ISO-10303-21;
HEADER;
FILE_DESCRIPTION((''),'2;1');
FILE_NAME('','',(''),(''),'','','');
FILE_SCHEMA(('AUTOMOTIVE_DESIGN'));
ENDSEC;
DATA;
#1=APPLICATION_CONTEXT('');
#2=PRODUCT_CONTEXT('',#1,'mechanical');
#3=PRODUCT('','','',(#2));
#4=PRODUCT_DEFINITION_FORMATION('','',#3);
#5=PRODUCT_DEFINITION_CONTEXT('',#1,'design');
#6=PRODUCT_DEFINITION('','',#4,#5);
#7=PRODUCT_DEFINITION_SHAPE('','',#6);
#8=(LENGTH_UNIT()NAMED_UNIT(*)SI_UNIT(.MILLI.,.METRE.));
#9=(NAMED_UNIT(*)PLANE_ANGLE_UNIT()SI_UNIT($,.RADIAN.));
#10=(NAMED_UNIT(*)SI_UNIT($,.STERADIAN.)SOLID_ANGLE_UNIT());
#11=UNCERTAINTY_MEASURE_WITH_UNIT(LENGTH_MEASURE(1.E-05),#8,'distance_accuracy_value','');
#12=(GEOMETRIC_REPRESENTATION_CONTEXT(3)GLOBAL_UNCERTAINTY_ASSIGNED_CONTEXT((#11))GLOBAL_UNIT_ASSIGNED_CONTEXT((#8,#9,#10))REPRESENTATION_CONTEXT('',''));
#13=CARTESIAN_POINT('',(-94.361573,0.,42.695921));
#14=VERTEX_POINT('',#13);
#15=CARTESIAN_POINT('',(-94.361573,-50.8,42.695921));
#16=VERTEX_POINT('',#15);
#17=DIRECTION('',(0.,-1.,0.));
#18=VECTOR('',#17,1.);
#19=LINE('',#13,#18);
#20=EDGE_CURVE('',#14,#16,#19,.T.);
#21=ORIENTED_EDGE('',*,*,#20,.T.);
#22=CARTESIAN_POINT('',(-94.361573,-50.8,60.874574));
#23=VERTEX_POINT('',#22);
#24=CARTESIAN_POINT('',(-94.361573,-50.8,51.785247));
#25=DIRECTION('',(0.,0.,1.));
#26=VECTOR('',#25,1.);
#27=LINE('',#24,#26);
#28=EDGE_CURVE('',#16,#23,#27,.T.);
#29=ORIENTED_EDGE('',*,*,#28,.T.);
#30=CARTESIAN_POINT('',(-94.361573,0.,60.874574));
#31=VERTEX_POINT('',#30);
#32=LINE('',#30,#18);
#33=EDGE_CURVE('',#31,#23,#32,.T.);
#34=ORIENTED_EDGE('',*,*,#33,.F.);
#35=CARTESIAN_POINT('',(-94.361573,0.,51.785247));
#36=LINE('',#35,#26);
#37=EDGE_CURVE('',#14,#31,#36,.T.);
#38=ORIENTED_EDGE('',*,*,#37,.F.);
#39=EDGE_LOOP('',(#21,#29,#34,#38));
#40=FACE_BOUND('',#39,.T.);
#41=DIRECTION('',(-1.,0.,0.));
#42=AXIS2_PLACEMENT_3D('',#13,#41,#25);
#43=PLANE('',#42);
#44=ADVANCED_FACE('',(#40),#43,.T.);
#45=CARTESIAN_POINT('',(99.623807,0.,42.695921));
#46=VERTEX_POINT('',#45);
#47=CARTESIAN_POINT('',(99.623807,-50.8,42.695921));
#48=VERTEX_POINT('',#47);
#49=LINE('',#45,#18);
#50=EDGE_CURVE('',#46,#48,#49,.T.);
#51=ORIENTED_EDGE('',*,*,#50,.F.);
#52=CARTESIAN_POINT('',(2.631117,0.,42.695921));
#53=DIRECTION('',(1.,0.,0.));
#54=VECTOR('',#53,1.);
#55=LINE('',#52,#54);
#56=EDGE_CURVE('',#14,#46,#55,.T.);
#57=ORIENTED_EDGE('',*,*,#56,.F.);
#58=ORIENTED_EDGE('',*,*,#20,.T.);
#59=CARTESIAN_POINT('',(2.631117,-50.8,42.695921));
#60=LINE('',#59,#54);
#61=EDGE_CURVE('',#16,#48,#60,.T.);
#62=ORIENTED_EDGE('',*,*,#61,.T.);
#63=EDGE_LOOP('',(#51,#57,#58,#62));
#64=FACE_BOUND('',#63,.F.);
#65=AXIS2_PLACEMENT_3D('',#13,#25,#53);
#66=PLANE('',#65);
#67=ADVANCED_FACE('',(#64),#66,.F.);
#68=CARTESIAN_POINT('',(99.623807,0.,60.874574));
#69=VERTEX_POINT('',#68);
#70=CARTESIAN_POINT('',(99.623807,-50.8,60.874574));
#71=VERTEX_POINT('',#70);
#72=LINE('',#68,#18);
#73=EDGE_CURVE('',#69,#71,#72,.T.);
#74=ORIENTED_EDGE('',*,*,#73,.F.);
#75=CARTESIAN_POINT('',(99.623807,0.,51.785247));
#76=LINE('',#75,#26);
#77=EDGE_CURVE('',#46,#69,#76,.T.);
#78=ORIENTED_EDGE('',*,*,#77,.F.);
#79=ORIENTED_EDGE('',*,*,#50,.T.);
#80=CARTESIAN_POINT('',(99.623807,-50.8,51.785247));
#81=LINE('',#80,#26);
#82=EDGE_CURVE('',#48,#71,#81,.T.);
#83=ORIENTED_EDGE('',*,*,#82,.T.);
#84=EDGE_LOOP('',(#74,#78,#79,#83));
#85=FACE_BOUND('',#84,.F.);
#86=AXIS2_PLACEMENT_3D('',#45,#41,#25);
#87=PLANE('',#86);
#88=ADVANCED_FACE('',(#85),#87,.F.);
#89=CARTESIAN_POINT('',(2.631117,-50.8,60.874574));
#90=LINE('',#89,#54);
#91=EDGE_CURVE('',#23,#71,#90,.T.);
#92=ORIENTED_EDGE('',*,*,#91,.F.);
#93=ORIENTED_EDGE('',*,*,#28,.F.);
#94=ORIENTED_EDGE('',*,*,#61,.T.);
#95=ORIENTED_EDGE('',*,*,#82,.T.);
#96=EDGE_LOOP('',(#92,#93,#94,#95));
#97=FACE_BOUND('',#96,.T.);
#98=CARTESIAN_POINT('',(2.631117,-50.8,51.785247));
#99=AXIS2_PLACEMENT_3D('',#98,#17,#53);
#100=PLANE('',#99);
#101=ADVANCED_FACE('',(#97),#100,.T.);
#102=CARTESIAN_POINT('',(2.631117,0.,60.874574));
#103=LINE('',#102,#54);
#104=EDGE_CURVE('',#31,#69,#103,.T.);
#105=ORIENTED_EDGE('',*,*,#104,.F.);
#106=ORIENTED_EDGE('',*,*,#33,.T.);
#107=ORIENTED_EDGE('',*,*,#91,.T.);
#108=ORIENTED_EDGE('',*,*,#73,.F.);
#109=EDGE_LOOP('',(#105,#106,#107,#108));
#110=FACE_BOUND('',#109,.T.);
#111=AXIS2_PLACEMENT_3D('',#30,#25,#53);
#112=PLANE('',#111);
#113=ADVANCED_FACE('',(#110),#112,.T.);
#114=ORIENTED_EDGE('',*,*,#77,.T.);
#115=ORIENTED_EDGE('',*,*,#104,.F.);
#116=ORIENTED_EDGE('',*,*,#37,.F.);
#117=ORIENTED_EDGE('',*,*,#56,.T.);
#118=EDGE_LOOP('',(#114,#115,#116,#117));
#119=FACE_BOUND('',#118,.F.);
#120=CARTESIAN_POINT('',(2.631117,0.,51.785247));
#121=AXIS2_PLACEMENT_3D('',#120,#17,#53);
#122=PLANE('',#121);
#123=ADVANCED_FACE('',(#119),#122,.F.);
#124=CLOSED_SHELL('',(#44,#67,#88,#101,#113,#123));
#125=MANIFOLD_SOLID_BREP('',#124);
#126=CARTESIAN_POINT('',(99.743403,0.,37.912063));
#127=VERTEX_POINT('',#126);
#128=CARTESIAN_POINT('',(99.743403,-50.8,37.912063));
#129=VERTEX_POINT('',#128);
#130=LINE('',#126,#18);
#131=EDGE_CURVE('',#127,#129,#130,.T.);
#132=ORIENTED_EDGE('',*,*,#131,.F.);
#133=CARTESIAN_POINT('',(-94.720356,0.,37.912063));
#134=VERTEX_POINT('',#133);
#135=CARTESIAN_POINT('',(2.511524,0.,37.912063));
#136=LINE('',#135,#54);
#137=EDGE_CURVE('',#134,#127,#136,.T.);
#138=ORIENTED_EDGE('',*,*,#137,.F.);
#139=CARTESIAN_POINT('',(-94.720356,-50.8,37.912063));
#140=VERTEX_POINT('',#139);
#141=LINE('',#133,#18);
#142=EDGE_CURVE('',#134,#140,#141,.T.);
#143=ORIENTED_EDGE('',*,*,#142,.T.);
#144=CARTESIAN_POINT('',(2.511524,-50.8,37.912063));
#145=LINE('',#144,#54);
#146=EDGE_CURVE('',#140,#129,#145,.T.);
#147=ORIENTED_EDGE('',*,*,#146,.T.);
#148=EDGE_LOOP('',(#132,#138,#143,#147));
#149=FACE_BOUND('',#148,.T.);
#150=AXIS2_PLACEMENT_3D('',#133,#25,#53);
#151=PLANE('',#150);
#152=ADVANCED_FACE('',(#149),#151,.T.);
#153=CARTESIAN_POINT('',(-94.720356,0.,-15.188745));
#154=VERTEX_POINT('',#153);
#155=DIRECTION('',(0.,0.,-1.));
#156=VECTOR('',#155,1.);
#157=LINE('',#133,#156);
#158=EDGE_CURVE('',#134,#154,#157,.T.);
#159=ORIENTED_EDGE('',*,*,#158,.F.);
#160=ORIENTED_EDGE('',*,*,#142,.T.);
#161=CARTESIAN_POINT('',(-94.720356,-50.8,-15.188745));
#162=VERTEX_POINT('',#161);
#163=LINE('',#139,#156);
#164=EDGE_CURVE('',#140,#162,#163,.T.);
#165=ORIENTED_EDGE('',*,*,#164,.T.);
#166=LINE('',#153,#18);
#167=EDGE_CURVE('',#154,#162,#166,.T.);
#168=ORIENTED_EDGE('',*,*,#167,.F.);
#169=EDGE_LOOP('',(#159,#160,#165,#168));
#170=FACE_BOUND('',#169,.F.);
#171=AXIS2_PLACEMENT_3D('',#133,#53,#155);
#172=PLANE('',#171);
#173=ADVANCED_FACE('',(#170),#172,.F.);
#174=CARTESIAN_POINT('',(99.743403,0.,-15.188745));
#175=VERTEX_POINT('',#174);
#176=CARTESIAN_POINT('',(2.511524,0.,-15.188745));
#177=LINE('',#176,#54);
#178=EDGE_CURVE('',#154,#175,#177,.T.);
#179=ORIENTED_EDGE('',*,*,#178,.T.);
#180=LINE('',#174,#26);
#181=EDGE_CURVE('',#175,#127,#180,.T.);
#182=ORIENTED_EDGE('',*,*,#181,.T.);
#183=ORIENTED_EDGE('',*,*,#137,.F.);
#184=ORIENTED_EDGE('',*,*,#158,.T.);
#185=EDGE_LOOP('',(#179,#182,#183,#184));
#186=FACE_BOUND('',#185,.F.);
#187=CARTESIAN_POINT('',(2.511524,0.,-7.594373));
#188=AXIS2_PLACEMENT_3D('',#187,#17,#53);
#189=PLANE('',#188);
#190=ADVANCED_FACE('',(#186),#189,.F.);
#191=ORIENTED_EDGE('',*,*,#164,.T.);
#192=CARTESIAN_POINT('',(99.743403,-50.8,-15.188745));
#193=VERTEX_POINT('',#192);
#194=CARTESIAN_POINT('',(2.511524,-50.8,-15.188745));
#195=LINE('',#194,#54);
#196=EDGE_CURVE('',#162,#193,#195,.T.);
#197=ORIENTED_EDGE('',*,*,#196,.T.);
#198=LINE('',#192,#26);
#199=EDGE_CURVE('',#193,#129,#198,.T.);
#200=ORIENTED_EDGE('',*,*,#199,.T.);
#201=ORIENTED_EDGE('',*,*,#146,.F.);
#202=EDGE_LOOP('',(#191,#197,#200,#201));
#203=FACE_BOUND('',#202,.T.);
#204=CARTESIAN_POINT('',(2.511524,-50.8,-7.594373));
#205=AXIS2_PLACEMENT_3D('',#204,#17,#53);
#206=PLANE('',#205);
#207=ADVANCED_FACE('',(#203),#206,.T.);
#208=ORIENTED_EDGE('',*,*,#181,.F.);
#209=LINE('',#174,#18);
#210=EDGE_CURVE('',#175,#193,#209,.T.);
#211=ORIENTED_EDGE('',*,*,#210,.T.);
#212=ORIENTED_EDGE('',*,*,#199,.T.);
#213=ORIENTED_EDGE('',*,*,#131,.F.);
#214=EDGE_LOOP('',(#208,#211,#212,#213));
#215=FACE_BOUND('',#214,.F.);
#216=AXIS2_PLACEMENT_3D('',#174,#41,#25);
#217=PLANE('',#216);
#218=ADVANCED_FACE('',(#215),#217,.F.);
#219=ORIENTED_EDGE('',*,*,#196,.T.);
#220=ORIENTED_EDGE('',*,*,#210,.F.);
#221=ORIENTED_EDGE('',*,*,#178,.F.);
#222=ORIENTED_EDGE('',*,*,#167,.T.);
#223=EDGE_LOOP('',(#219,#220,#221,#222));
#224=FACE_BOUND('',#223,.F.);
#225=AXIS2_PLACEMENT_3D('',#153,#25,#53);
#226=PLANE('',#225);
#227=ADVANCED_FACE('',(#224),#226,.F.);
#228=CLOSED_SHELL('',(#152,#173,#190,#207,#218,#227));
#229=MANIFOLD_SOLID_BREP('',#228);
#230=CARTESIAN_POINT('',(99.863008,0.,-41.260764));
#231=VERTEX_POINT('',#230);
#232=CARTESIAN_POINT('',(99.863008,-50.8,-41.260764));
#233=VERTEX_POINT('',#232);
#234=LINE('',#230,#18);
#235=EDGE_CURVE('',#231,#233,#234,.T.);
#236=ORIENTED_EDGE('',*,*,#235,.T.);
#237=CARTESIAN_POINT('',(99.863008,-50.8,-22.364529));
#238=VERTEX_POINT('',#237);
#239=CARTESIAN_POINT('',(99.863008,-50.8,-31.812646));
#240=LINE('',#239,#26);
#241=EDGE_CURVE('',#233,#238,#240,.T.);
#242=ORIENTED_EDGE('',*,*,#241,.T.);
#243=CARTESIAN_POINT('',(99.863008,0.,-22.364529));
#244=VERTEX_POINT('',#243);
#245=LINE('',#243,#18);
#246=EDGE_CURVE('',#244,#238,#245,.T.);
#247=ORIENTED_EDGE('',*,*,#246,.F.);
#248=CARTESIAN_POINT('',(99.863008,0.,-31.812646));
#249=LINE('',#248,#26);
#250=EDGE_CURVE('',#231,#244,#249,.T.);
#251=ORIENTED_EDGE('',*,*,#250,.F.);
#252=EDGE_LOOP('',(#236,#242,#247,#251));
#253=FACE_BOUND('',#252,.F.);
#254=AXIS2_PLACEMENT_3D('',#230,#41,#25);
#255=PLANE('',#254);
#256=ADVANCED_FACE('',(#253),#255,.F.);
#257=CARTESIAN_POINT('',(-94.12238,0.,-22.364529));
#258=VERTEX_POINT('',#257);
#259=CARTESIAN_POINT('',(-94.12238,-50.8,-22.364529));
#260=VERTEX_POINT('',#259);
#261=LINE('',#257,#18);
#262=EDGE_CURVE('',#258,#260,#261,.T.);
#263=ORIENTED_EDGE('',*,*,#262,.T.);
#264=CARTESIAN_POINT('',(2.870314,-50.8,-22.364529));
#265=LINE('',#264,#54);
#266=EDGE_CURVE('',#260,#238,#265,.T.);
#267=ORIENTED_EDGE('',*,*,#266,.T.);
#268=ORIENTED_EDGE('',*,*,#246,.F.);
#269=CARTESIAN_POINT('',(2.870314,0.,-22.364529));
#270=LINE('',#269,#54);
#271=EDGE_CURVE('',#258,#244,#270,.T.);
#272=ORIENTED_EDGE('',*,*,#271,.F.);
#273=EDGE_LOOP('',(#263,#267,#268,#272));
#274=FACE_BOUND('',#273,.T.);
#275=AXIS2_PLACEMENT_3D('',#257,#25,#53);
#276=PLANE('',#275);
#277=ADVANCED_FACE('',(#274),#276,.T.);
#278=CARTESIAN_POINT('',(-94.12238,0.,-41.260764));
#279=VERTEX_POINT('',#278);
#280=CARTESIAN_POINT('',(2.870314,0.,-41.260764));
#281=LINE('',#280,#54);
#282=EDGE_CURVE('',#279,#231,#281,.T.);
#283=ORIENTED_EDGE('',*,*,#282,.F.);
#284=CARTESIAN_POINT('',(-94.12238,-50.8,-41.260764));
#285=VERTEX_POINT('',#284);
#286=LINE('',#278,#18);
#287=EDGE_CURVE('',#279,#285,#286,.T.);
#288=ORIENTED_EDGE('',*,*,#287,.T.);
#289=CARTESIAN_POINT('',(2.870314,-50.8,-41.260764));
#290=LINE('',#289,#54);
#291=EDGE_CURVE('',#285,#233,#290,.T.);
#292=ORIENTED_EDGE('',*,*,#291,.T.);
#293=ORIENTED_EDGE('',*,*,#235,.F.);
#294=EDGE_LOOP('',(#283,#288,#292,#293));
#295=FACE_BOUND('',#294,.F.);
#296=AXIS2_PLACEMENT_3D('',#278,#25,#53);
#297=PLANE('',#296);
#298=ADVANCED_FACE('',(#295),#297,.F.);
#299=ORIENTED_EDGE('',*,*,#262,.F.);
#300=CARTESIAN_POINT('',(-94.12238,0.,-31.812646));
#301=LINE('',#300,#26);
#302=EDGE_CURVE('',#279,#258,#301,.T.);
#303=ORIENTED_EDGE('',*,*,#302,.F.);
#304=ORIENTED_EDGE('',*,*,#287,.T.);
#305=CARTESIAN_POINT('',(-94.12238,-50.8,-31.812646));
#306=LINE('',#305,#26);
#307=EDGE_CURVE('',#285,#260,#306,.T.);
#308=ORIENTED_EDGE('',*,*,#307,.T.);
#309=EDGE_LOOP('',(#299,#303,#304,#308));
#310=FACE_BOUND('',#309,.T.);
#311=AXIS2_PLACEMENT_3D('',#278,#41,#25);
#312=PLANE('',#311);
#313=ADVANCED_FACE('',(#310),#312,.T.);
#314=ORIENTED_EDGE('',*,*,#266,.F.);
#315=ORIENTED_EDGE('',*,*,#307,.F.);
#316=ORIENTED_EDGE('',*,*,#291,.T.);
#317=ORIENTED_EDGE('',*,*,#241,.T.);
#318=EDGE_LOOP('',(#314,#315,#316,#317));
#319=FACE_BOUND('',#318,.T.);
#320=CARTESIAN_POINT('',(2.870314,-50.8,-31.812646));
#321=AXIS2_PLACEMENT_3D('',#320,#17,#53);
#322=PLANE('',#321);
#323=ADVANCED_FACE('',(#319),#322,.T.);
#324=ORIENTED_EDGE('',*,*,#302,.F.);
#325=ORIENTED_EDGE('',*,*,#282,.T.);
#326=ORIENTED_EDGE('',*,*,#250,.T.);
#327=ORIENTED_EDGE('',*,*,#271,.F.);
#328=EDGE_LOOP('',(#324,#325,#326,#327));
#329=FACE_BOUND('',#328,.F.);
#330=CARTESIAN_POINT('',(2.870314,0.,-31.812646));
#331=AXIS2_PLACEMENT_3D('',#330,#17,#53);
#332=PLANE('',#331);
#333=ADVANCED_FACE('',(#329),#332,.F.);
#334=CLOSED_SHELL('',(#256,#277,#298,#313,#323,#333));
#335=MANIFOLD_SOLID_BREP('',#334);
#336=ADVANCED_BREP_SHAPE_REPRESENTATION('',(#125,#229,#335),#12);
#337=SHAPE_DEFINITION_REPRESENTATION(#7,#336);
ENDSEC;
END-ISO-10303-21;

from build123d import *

# Parameters (mm, degrees)
F0_W     = 194.4637596607
F0_H     = 15.188745223
F0_H_2   = 11.0028702766
F0_H_3   = 26.909193024
F1_DEPTH = 50.8
F2_W     = 193.9853802323
F2_H     = 18.178652972
F3_DEPTH = 50.8
F2_W_2   = 193.9853876829
F2_H_2   = 18.8962351531


with BuildPart() as f1:
    # F0 (on Front) → F1 (new body)
    with BuildSketch(Plane.XZ):
        with Locations((2.511523664, -7.5943726115)):
            Rectangle(F0_W, F0_H)
        with Locations((2.511523664, 32.4106281623)):
            Rectangle(F0_W, F0_H_2)
        with Locations((2.511523664, 13.454596512)):
            Rectangle(F0_W, F0_H_3)
    extrude(amount=F1_DEPTH)


with BuildPart() as f3:
    # F2 (on Front) → F3 (new body)
    with BuildSketch(Plane.XZ):
        with Locations((2.6311166584, 51.7852474004)):
            Rectangle(F2_W, F2_H)
    extrude(amount=F3_DEPTH)


with BuildPart() as f3b:
    # F2 (on Front) → F3, piece 2 (new body)
    with BuildSketch(Plane.XZ):
        with Locations((2.8703138232, -31.8126464263)):
            Rectangle(F2_W_2, F2_H_2)
    extrude(amount=F3_DEPTH)


solid = Compound([f1.part, f3.part, f3b.part])
